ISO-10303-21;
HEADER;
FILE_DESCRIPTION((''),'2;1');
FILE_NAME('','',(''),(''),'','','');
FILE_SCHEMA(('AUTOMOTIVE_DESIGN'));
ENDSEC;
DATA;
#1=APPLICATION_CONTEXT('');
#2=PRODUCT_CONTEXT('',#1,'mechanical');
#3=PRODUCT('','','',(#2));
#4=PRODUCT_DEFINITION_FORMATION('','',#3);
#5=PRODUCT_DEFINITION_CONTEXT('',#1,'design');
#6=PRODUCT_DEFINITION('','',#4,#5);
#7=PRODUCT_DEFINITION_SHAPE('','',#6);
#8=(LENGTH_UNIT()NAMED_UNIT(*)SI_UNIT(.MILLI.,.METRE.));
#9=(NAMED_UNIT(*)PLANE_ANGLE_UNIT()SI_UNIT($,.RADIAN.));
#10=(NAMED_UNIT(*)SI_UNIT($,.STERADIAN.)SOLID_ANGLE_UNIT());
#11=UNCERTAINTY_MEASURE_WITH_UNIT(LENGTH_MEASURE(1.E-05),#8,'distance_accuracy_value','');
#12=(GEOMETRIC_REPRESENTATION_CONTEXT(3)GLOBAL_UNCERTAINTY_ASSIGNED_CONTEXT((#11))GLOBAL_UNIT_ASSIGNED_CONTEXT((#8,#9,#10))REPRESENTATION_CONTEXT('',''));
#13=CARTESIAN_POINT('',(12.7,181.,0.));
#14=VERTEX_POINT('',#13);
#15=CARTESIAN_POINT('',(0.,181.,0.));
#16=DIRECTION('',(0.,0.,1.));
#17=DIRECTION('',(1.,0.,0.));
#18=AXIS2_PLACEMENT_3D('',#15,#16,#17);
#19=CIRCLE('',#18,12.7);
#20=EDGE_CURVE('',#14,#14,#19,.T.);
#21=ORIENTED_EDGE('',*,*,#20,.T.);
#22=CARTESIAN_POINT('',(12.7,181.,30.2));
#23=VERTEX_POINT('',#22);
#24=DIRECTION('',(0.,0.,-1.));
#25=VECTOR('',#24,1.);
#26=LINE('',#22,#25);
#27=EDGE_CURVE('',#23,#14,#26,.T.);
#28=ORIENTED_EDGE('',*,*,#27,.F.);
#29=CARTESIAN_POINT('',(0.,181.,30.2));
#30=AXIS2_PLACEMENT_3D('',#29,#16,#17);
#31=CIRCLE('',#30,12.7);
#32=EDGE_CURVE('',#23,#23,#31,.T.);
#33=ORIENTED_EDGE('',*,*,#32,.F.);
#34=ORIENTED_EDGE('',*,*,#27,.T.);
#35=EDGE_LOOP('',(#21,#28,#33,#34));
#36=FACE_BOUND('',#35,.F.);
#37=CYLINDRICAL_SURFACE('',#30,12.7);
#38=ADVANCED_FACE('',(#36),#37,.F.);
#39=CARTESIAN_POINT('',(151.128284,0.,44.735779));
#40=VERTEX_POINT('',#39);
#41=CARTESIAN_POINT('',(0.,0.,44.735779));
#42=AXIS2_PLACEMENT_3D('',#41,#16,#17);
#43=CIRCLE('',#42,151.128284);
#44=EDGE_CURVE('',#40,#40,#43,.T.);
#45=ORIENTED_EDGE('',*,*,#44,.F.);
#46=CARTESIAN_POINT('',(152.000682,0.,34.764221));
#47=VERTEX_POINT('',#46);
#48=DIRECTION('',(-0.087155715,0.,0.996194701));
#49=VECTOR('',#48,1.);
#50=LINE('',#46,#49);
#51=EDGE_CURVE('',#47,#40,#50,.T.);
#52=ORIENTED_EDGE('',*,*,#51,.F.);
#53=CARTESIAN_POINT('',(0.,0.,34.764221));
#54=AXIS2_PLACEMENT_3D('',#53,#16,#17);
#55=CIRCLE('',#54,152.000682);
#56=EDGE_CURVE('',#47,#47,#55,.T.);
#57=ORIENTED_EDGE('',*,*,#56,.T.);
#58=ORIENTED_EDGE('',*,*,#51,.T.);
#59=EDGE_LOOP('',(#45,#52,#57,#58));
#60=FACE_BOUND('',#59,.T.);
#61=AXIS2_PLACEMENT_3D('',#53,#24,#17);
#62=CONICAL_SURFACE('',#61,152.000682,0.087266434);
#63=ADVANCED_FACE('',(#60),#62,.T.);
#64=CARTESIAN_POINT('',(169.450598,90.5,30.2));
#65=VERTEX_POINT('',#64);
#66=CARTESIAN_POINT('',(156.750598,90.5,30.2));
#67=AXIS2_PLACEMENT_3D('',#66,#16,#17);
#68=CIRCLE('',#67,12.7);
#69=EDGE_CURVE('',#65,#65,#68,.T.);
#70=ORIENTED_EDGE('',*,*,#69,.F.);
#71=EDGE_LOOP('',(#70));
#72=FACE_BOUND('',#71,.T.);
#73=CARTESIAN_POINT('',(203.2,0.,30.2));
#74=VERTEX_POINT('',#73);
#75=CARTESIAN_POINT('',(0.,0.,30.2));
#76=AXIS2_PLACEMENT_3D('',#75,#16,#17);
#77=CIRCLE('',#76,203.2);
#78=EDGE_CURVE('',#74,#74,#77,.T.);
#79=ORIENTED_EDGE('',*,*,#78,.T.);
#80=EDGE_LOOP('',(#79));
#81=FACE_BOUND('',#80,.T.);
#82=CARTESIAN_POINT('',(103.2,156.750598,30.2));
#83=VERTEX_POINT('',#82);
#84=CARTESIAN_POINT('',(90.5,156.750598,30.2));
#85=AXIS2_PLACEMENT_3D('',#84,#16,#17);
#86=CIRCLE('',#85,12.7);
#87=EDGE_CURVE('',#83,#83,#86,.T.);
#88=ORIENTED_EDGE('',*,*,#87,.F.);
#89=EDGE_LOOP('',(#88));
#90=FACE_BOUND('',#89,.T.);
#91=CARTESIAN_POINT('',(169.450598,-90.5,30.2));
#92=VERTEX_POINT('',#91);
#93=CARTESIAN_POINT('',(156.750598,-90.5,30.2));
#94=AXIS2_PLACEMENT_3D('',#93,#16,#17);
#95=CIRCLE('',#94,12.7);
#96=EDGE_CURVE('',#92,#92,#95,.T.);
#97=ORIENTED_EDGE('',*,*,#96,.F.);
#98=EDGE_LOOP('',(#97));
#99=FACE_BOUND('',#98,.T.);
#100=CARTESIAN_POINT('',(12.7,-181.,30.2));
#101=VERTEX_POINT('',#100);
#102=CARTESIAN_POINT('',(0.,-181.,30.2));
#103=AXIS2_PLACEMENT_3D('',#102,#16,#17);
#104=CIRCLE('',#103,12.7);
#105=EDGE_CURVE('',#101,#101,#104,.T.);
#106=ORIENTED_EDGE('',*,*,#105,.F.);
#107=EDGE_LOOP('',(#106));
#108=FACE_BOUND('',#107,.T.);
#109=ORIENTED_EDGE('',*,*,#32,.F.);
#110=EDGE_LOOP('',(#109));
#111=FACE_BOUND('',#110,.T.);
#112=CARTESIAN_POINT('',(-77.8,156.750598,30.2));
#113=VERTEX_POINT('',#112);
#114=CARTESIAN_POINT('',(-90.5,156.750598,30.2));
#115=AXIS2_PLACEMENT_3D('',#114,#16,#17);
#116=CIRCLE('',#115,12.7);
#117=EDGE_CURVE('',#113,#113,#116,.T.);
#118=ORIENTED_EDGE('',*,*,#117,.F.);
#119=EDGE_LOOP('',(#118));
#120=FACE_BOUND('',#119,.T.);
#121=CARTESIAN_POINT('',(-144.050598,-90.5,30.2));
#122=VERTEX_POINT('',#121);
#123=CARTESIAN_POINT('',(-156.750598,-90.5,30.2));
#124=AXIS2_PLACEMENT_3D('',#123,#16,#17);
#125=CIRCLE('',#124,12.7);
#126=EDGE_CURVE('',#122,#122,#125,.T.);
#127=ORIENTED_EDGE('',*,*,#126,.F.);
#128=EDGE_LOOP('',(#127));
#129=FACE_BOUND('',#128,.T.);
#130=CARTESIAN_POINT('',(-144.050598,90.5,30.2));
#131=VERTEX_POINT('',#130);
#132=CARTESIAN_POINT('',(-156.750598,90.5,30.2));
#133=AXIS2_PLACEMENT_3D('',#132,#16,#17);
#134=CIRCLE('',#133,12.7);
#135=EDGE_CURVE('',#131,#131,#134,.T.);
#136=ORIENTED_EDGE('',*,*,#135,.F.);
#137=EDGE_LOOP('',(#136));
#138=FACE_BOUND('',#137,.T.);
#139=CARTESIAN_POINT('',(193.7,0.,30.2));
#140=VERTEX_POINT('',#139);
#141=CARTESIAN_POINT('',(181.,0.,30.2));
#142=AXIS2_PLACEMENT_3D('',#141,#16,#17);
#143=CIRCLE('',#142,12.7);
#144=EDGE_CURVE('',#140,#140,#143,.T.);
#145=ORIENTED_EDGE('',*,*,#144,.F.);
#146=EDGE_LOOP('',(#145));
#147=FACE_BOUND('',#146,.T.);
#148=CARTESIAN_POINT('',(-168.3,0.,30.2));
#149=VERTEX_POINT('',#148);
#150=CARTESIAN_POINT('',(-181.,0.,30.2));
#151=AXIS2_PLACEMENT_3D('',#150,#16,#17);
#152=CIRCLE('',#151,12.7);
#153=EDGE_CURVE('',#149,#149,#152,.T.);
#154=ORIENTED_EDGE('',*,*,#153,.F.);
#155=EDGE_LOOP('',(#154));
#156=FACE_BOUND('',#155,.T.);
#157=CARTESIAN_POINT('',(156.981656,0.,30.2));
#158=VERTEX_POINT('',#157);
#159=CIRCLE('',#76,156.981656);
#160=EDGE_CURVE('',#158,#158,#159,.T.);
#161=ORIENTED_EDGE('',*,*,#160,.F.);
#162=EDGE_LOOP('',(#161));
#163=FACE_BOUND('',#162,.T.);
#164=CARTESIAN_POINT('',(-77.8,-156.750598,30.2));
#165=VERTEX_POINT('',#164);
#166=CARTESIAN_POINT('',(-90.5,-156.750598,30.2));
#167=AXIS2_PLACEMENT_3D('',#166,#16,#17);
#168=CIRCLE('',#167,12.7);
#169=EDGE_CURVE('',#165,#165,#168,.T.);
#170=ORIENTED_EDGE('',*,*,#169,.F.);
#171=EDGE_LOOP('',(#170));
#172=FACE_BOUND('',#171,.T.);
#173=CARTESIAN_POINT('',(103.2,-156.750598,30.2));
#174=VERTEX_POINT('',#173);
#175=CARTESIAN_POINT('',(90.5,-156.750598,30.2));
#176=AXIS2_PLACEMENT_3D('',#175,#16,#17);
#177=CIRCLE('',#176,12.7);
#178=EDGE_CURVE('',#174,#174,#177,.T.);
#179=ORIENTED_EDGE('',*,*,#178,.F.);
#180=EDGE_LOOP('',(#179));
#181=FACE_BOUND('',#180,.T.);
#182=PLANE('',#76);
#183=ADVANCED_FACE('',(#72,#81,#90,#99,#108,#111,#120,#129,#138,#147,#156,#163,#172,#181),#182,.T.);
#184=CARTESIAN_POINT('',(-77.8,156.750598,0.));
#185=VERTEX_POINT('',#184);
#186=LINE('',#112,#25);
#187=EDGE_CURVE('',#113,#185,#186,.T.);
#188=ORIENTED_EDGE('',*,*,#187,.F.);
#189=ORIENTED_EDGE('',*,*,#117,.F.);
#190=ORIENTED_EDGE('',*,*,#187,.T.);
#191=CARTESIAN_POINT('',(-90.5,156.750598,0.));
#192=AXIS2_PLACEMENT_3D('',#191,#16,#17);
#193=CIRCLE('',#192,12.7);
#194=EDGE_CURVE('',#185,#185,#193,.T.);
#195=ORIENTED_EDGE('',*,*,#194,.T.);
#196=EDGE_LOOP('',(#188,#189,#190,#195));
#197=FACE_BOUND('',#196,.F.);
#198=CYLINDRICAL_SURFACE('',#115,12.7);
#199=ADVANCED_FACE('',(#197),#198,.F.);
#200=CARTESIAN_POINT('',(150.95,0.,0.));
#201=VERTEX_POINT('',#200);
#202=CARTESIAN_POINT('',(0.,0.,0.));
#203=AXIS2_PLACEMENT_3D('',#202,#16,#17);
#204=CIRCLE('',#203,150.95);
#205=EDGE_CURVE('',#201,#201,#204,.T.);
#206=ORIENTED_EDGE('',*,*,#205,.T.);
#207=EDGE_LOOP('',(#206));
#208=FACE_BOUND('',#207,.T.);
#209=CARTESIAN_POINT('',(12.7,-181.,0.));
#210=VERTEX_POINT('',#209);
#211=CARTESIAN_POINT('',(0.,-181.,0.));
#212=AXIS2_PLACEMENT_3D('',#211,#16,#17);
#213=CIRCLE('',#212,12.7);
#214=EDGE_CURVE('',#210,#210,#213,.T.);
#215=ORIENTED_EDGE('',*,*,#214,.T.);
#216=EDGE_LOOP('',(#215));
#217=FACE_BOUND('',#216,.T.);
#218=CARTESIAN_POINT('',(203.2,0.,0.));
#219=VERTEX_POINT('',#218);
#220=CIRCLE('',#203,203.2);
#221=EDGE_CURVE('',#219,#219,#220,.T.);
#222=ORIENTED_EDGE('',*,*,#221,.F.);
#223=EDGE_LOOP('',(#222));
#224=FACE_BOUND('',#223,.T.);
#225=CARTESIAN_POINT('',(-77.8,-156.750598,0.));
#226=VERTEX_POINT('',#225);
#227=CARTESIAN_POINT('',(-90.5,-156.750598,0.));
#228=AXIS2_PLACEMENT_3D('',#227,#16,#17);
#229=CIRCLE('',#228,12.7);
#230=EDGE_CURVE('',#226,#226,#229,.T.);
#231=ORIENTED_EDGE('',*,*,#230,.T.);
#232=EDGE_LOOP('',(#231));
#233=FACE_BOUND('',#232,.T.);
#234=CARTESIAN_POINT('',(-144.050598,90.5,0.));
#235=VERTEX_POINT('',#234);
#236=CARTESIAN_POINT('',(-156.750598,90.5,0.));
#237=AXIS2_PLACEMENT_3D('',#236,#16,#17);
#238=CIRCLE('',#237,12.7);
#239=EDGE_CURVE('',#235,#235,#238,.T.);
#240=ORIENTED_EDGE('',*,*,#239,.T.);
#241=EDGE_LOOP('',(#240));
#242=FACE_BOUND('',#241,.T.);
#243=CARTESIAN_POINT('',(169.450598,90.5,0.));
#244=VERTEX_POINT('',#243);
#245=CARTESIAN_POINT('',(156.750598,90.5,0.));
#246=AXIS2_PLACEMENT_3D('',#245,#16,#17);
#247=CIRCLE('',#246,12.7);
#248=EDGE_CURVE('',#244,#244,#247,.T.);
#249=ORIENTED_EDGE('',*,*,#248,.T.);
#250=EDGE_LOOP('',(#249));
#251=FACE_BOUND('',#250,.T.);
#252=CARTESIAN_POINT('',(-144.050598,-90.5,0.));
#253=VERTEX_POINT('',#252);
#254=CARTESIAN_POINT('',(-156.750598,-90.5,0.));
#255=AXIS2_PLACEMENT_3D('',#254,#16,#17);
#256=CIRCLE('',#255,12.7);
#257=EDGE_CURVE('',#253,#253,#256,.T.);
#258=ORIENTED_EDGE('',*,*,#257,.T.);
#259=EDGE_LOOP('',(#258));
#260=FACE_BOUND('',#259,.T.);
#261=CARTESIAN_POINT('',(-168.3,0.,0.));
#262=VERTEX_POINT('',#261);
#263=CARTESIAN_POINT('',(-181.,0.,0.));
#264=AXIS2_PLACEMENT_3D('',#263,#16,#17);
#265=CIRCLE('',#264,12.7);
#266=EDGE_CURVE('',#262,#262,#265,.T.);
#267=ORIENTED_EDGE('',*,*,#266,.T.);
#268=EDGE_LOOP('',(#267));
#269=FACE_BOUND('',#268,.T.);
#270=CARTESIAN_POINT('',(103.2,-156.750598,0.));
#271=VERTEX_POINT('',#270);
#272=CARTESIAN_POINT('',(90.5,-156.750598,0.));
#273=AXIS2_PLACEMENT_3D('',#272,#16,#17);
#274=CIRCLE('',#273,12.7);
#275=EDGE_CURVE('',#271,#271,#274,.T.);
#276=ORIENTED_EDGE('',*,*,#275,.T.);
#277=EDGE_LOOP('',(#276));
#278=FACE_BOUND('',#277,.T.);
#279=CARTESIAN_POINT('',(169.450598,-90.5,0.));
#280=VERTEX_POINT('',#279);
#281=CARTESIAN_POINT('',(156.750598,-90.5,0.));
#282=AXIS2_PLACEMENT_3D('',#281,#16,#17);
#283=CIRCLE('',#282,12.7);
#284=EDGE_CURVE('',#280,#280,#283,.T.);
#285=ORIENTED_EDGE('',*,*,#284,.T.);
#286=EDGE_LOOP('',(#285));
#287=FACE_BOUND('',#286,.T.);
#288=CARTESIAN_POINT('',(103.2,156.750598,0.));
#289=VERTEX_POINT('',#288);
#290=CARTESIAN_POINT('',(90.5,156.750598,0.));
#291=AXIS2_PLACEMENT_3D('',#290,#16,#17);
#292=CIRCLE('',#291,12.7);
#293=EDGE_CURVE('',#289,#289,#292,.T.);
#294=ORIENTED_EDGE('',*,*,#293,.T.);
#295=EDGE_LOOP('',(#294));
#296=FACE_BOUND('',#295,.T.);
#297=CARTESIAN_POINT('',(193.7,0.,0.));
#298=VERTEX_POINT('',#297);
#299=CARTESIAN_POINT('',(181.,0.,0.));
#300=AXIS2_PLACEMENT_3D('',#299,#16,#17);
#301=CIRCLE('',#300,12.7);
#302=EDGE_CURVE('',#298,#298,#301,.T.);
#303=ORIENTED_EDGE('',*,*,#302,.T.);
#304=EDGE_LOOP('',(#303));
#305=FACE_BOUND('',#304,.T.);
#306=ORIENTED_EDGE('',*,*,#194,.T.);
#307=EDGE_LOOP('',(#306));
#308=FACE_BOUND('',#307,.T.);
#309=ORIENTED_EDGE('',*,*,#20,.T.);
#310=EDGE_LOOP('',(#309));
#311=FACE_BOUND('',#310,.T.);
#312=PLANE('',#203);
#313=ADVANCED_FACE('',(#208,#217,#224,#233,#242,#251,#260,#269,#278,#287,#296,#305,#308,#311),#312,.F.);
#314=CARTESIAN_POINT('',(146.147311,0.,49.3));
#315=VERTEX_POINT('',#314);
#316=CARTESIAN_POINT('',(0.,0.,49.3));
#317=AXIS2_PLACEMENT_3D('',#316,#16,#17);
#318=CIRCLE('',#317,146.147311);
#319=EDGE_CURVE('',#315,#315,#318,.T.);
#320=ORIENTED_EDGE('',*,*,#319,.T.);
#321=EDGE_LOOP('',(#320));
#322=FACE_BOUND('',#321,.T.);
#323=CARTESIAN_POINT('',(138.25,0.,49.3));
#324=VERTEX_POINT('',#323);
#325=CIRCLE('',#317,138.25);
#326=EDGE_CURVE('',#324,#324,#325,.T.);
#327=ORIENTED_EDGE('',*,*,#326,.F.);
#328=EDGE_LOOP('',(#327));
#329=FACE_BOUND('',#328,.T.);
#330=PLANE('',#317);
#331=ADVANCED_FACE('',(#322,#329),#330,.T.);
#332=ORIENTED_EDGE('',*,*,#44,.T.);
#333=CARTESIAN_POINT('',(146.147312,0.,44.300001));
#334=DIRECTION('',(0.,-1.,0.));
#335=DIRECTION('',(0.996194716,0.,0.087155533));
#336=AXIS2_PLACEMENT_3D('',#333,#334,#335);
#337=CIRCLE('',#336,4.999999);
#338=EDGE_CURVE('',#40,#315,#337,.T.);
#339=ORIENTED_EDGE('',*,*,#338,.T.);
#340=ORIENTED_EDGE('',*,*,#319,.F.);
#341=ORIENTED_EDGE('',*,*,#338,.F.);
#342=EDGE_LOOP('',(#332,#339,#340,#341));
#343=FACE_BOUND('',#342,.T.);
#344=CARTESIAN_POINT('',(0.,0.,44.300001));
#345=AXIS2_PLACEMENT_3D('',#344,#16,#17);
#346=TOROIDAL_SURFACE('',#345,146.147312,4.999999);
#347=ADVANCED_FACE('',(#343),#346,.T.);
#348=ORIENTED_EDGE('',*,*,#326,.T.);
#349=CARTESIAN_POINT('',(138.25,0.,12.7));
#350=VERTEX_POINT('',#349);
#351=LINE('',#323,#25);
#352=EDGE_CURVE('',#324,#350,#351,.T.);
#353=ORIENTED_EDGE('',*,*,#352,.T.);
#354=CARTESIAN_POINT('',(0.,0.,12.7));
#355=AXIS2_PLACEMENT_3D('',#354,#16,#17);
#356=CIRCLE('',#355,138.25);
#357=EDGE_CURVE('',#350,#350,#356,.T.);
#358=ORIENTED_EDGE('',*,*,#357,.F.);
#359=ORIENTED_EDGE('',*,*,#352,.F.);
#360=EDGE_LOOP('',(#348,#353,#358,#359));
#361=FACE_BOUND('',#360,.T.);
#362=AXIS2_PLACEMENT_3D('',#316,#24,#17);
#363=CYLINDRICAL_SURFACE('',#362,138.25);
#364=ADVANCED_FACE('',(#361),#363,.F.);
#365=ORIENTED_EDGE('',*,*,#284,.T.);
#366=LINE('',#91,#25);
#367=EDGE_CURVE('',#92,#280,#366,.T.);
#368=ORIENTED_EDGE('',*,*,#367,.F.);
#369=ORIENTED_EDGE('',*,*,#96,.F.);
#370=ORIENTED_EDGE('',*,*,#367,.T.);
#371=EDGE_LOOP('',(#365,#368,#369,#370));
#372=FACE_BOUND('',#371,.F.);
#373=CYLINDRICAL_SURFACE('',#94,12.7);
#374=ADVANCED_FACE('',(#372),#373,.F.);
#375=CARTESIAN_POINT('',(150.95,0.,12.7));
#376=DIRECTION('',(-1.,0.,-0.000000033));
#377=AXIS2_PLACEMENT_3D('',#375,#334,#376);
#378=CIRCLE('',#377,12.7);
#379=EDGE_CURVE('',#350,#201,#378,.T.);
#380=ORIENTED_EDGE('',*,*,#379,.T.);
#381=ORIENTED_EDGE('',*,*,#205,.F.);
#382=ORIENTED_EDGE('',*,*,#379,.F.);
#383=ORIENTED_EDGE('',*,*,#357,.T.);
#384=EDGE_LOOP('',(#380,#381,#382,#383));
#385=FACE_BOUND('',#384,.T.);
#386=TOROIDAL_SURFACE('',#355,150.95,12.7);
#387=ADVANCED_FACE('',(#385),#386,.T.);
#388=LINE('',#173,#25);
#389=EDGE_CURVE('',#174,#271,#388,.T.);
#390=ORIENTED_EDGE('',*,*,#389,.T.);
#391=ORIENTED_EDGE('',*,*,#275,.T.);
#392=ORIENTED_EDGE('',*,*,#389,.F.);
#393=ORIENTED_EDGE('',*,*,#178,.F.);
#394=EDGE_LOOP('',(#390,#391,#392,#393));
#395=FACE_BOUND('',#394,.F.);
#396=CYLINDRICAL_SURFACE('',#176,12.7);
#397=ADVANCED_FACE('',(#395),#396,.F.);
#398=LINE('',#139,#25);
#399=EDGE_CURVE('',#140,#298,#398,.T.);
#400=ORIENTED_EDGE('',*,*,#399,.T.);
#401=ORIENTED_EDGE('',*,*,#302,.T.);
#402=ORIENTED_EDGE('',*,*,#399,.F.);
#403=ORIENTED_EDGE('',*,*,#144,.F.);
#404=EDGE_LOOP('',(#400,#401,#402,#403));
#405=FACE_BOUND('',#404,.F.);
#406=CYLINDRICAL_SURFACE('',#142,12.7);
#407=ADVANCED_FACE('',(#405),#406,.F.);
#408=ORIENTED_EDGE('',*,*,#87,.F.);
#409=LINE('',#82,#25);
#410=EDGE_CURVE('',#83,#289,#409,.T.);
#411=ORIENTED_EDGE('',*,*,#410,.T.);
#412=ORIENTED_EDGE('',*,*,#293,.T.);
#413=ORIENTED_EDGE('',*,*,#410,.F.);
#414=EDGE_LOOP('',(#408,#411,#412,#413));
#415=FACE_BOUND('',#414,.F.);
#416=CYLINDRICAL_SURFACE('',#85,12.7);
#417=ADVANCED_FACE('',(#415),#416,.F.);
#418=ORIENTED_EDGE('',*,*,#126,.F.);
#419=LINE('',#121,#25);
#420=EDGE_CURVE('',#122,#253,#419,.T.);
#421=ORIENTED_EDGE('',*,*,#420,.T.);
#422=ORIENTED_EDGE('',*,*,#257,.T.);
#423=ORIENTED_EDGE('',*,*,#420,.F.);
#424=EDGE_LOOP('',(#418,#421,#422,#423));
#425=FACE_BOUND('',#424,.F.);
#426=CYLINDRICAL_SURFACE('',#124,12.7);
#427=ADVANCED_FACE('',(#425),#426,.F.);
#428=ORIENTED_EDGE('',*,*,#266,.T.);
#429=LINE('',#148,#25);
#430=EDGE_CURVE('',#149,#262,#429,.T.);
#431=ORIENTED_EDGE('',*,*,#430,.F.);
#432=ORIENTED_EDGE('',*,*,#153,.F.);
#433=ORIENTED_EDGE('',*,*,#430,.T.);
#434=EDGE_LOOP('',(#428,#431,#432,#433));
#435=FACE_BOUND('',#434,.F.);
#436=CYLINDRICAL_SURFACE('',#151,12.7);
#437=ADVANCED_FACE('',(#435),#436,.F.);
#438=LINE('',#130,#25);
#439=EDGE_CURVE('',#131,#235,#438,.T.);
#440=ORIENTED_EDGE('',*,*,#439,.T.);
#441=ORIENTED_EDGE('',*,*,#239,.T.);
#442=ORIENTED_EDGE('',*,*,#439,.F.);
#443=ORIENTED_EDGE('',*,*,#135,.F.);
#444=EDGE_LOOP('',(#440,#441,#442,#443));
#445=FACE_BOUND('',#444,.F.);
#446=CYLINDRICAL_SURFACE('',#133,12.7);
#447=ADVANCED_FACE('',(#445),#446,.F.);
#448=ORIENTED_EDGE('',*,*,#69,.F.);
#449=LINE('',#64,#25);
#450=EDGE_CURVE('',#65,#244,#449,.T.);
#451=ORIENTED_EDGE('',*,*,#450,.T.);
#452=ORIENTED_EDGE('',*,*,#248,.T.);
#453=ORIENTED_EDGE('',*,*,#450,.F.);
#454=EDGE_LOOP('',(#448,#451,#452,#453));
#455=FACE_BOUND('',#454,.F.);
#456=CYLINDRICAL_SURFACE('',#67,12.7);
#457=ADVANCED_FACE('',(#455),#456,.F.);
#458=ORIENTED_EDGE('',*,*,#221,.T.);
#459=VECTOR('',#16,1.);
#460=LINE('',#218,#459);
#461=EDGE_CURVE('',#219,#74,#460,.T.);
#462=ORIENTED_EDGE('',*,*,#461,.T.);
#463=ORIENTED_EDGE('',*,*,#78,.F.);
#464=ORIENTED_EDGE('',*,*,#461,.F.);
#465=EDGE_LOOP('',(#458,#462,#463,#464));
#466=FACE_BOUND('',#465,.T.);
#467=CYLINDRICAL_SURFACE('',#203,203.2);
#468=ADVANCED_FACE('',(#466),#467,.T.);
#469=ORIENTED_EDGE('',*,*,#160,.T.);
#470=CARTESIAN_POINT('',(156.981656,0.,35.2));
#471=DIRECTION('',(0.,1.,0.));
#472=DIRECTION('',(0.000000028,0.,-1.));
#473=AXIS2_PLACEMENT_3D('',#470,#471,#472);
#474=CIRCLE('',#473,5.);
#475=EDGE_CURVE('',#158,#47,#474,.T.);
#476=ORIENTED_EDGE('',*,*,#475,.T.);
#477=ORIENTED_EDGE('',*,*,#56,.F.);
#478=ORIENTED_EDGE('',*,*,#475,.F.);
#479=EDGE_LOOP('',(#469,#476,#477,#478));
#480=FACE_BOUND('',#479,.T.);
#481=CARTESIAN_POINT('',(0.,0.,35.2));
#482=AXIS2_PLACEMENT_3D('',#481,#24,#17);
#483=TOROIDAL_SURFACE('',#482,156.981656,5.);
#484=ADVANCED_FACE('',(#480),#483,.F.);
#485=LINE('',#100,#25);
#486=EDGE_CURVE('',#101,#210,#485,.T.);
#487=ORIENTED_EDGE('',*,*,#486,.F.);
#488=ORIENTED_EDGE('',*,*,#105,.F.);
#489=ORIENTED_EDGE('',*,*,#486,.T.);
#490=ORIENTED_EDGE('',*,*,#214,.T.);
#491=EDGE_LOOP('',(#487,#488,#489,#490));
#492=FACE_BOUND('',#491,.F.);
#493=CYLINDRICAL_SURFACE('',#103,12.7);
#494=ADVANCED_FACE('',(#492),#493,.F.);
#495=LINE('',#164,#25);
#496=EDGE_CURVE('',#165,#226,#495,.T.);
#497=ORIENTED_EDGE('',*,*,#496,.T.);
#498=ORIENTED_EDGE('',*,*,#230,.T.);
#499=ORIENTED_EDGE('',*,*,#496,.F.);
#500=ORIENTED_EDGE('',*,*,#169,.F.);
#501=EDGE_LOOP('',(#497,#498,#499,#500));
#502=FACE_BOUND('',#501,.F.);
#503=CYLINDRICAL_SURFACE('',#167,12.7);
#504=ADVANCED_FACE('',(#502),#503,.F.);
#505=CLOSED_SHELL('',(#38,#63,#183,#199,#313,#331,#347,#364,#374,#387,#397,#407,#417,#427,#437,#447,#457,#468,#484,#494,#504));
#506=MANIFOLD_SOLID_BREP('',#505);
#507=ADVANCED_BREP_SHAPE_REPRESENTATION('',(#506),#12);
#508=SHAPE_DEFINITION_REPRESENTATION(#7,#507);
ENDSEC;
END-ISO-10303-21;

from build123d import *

# Parameters (mm, degrees)
F2_R     = 12.7
F3_DEPTH = 30.201


with BuildPart() as f1:
    # F0 (on Front) → F1 (revolve)
    with BuildSketch(Plane.XZ):
        with BuildLine():
            ThreePointArc((138.25, 12.7), (141.969744, 3.719744), (150.95, 0))
            Line((150.95, 0), (203.2, 0))
            Line((203.2, 0), (203.2, 30.2))
            Line((203.2, 30.2), (156.981656, 30.2))
            ThreePointArc((156.981656, 30.2), (153.603705, 31.513613), (152.000682, 34.764221))
            Line((152.000682, 34.764221), (151.128284, 44.735779))
            ThreePointArc((151.128284, 44.735779), (149.525262, 47.986387), (146.147311, 49.3))
            Line((146.147311, 49.3), (138.25, 49.3))
            Line((138.25, 49.3), (138.25, 12.7))
        make_face()
    revolve(axis=Axis((0, 0, 24.65), (0, 0, 1)))

    # F2 (on face) → F3 (cut, through all)
    with BuildSketch(Plane.XY.offset(30.2)):
        with Locations((0, 181)):
            Circle(F2_R)
        with Locations((-90.5, 156.750598)):
            Circle(F2_R)
        with Locations((-156.750598, 90.5)):
            Circle(F2_R)
        with Locations((-181, 0)):
            Circle(F2_R)
        with Locations((-156.750598, -90.5)):
            Circle(F2_R)
        with Locations((-90.5, -156.750598)):
            Circle(F2_R)
        with Locations((0, -181)):
            Circle(F2_R)
        with Locations((90.5, -156.750598)):
            Circle(F2_R)
        with Locations((156.750598, -90.5)):
            Circle(F2_R)
        with Locations((181, 0)):
            Circle(F2_R)
        with Locations((156.750598, 90.5)):
            Circle(F2_R)
        with Locations((90.5, 156.750598)):
            Circle(F2_R)
    extrude(amount=-F3_DEPTH, mode=Mode.SUBTRACT)


solid = f1.part
